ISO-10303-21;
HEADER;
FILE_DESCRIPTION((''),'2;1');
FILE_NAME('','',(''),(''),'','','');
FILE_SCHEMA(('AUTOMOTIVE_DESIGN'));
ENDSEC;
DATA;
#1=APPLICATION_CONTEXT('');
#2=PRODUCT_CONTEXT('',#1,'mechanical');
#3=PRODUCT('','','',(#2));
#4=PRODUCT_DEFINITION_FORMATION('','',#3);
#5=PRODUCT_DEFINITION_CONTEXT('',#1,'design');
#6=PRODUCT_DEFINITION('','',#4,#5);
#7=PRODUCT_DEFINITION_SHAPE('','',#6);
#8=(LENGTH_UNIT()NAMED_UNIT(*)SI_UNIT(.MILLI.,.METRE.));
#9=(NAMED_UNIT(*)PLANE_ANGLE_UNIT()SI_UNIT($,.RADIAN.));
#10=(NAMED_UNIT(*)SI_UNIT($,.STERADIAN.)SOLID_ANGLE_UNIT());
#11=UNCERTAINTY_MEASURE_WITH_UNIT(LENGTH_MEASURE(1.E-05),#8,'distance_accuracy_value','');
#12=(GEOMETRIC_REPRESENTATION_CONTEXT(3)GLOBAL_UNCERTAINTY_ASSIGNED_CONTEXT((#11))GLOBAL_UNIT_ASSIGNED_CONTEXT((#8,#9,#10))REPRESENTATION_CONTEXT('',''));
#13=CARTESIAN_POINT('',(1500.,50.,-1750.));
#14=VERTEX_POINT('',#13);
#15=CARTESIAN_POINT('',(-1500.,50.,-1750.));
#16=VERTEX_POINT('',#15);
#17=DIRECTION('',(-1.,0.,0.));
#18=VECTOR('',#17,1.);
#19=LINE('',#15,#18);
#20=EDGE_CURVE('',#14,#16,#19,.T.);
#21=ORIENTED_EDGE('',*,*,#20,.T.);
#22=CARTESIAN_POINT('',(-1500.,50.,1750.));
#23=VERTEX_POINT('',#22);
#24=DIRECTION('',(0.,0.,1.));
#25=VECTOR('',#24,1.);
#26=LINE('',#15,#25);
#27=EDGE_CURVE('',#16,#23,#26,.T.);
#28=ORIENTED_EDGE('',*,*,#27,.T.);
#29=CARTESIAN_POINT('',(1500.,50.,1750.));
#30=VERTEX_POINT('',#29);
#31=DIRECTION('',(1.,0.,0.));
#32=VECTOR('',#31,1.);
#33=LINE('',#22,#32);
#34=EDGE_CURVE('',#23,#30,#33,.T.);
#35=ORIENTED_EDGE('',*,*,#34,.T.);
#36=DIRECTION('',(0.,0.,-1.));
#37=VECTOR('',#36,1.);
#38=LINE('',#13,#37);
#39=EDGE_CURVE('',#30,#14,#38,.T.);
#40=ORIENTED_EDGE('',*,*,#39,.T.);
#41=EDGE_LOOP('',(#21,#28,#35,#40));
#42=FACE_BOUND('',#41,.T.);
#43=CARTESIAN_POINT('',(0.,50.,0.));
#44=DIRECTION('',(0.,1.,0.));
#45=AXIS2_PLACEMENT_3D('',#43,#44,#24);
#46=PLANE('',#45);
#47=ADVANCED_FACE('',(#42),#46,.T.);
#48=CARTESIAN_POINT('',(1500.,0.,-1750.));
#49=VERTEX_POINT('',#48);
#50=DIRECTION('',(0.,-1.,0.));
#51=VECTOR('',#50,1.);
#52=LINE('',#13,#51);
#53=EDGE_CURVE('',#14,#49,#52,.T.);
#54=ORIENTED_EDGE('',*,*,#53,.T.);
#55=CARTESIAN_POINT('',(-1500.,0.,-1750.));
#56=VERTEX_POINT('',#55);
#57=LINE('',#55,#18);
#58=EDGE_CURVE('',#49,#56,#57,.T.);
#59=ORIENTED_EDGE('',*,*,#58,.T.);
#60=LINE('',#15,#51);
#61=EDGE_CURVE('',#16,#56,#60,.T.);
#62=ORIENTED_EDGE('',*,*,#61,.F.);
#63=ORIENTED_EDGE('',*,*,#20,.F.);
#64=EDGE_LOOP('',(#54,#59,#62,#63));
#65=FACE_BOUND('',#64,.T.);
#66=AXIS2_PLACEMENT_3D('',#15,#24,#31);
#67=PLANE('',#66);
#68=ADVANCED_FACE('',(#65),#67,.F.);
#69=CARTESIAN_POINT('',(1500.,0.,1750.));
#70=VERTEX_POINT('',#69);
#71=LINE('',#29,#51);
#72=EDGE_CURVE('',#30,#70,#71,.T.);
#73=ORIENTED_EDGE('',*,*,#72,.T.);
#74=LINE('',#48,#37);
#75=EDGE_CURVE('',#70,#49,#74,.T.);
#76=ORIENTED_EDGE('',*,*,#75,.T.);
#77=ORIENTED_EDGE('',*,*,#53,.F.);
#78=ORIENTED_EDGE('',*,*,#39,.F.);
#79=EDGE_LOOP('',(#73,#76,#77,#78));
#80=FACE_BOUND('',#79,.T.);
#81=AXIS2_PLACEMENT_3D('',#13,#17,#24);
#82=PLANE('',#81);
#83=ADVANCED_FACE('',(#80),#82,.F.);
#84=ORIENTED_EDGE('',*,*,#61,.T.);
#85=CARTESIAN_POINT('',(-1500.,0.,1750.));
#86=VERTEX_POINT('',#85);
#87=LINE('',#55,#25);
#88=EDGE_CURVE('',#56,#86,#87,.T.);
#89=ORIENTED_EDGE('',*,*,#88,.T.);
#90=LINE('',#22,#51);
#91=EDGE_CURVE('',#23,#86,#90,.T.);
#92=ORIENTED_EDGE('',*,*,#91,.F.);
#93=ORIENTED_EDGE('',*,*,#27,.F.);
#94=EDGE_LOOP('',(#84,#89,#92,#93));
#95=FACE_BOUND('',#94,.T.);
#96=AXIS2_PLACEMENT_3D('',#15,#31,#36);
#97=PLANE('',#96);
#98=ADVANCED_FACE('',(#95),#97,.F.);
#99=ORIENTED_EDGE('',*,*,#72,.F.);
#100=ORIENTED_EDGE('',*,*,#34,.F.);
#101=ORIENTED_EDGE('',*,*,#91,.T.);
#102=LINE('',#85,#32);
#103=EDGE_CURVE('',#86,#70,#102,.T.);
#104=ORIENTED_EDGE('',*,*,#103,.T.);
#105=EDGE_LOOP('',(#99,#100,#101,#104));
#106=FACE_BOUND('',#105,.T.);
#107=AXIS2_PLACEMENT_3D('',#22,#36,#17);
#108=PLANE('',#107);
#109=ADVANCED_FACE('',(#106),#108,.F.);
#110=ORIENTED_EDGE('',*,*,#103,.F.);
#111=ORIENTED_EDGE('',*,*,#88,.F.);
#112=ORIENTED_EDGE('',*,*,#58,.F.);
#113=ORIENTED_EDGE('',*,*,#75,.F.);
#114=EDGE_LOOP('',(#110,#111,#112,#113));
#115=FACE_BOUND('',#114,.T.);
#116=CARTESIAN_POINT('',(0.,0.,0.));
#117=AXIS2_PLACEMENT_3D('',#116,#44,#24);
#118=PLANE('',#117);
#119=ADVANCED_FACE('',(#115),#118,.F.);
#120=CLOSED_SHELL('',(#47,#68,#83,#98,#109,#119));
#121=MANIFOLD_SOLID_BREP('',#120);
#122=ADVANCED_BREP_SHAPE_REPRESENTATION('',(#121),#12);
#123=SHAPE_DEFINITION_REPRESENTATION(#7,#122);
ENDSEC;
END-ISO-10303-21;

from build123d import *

# Parameters (mm, degrees)
ESBO_O1_W                = 3000
ESBO_O1_H                = 3500
RESSALTO_EXTRUS_O1_DEPTH = 50


with BuildPart() as part:
    # Esboço1 → Ressalto-extrusão1 (new body)
    with BuildSketch(Plane(origin=(0, 0, 0), x_dir=(1, 0, 0), z_dir=(0, 1, 0))):
        Rectangle(ESBO_O1_W, ESBO_O1_H)
    extrude(amount=RESSALTO_EXTRUS_O1_DEPTH)


solid = part.part
